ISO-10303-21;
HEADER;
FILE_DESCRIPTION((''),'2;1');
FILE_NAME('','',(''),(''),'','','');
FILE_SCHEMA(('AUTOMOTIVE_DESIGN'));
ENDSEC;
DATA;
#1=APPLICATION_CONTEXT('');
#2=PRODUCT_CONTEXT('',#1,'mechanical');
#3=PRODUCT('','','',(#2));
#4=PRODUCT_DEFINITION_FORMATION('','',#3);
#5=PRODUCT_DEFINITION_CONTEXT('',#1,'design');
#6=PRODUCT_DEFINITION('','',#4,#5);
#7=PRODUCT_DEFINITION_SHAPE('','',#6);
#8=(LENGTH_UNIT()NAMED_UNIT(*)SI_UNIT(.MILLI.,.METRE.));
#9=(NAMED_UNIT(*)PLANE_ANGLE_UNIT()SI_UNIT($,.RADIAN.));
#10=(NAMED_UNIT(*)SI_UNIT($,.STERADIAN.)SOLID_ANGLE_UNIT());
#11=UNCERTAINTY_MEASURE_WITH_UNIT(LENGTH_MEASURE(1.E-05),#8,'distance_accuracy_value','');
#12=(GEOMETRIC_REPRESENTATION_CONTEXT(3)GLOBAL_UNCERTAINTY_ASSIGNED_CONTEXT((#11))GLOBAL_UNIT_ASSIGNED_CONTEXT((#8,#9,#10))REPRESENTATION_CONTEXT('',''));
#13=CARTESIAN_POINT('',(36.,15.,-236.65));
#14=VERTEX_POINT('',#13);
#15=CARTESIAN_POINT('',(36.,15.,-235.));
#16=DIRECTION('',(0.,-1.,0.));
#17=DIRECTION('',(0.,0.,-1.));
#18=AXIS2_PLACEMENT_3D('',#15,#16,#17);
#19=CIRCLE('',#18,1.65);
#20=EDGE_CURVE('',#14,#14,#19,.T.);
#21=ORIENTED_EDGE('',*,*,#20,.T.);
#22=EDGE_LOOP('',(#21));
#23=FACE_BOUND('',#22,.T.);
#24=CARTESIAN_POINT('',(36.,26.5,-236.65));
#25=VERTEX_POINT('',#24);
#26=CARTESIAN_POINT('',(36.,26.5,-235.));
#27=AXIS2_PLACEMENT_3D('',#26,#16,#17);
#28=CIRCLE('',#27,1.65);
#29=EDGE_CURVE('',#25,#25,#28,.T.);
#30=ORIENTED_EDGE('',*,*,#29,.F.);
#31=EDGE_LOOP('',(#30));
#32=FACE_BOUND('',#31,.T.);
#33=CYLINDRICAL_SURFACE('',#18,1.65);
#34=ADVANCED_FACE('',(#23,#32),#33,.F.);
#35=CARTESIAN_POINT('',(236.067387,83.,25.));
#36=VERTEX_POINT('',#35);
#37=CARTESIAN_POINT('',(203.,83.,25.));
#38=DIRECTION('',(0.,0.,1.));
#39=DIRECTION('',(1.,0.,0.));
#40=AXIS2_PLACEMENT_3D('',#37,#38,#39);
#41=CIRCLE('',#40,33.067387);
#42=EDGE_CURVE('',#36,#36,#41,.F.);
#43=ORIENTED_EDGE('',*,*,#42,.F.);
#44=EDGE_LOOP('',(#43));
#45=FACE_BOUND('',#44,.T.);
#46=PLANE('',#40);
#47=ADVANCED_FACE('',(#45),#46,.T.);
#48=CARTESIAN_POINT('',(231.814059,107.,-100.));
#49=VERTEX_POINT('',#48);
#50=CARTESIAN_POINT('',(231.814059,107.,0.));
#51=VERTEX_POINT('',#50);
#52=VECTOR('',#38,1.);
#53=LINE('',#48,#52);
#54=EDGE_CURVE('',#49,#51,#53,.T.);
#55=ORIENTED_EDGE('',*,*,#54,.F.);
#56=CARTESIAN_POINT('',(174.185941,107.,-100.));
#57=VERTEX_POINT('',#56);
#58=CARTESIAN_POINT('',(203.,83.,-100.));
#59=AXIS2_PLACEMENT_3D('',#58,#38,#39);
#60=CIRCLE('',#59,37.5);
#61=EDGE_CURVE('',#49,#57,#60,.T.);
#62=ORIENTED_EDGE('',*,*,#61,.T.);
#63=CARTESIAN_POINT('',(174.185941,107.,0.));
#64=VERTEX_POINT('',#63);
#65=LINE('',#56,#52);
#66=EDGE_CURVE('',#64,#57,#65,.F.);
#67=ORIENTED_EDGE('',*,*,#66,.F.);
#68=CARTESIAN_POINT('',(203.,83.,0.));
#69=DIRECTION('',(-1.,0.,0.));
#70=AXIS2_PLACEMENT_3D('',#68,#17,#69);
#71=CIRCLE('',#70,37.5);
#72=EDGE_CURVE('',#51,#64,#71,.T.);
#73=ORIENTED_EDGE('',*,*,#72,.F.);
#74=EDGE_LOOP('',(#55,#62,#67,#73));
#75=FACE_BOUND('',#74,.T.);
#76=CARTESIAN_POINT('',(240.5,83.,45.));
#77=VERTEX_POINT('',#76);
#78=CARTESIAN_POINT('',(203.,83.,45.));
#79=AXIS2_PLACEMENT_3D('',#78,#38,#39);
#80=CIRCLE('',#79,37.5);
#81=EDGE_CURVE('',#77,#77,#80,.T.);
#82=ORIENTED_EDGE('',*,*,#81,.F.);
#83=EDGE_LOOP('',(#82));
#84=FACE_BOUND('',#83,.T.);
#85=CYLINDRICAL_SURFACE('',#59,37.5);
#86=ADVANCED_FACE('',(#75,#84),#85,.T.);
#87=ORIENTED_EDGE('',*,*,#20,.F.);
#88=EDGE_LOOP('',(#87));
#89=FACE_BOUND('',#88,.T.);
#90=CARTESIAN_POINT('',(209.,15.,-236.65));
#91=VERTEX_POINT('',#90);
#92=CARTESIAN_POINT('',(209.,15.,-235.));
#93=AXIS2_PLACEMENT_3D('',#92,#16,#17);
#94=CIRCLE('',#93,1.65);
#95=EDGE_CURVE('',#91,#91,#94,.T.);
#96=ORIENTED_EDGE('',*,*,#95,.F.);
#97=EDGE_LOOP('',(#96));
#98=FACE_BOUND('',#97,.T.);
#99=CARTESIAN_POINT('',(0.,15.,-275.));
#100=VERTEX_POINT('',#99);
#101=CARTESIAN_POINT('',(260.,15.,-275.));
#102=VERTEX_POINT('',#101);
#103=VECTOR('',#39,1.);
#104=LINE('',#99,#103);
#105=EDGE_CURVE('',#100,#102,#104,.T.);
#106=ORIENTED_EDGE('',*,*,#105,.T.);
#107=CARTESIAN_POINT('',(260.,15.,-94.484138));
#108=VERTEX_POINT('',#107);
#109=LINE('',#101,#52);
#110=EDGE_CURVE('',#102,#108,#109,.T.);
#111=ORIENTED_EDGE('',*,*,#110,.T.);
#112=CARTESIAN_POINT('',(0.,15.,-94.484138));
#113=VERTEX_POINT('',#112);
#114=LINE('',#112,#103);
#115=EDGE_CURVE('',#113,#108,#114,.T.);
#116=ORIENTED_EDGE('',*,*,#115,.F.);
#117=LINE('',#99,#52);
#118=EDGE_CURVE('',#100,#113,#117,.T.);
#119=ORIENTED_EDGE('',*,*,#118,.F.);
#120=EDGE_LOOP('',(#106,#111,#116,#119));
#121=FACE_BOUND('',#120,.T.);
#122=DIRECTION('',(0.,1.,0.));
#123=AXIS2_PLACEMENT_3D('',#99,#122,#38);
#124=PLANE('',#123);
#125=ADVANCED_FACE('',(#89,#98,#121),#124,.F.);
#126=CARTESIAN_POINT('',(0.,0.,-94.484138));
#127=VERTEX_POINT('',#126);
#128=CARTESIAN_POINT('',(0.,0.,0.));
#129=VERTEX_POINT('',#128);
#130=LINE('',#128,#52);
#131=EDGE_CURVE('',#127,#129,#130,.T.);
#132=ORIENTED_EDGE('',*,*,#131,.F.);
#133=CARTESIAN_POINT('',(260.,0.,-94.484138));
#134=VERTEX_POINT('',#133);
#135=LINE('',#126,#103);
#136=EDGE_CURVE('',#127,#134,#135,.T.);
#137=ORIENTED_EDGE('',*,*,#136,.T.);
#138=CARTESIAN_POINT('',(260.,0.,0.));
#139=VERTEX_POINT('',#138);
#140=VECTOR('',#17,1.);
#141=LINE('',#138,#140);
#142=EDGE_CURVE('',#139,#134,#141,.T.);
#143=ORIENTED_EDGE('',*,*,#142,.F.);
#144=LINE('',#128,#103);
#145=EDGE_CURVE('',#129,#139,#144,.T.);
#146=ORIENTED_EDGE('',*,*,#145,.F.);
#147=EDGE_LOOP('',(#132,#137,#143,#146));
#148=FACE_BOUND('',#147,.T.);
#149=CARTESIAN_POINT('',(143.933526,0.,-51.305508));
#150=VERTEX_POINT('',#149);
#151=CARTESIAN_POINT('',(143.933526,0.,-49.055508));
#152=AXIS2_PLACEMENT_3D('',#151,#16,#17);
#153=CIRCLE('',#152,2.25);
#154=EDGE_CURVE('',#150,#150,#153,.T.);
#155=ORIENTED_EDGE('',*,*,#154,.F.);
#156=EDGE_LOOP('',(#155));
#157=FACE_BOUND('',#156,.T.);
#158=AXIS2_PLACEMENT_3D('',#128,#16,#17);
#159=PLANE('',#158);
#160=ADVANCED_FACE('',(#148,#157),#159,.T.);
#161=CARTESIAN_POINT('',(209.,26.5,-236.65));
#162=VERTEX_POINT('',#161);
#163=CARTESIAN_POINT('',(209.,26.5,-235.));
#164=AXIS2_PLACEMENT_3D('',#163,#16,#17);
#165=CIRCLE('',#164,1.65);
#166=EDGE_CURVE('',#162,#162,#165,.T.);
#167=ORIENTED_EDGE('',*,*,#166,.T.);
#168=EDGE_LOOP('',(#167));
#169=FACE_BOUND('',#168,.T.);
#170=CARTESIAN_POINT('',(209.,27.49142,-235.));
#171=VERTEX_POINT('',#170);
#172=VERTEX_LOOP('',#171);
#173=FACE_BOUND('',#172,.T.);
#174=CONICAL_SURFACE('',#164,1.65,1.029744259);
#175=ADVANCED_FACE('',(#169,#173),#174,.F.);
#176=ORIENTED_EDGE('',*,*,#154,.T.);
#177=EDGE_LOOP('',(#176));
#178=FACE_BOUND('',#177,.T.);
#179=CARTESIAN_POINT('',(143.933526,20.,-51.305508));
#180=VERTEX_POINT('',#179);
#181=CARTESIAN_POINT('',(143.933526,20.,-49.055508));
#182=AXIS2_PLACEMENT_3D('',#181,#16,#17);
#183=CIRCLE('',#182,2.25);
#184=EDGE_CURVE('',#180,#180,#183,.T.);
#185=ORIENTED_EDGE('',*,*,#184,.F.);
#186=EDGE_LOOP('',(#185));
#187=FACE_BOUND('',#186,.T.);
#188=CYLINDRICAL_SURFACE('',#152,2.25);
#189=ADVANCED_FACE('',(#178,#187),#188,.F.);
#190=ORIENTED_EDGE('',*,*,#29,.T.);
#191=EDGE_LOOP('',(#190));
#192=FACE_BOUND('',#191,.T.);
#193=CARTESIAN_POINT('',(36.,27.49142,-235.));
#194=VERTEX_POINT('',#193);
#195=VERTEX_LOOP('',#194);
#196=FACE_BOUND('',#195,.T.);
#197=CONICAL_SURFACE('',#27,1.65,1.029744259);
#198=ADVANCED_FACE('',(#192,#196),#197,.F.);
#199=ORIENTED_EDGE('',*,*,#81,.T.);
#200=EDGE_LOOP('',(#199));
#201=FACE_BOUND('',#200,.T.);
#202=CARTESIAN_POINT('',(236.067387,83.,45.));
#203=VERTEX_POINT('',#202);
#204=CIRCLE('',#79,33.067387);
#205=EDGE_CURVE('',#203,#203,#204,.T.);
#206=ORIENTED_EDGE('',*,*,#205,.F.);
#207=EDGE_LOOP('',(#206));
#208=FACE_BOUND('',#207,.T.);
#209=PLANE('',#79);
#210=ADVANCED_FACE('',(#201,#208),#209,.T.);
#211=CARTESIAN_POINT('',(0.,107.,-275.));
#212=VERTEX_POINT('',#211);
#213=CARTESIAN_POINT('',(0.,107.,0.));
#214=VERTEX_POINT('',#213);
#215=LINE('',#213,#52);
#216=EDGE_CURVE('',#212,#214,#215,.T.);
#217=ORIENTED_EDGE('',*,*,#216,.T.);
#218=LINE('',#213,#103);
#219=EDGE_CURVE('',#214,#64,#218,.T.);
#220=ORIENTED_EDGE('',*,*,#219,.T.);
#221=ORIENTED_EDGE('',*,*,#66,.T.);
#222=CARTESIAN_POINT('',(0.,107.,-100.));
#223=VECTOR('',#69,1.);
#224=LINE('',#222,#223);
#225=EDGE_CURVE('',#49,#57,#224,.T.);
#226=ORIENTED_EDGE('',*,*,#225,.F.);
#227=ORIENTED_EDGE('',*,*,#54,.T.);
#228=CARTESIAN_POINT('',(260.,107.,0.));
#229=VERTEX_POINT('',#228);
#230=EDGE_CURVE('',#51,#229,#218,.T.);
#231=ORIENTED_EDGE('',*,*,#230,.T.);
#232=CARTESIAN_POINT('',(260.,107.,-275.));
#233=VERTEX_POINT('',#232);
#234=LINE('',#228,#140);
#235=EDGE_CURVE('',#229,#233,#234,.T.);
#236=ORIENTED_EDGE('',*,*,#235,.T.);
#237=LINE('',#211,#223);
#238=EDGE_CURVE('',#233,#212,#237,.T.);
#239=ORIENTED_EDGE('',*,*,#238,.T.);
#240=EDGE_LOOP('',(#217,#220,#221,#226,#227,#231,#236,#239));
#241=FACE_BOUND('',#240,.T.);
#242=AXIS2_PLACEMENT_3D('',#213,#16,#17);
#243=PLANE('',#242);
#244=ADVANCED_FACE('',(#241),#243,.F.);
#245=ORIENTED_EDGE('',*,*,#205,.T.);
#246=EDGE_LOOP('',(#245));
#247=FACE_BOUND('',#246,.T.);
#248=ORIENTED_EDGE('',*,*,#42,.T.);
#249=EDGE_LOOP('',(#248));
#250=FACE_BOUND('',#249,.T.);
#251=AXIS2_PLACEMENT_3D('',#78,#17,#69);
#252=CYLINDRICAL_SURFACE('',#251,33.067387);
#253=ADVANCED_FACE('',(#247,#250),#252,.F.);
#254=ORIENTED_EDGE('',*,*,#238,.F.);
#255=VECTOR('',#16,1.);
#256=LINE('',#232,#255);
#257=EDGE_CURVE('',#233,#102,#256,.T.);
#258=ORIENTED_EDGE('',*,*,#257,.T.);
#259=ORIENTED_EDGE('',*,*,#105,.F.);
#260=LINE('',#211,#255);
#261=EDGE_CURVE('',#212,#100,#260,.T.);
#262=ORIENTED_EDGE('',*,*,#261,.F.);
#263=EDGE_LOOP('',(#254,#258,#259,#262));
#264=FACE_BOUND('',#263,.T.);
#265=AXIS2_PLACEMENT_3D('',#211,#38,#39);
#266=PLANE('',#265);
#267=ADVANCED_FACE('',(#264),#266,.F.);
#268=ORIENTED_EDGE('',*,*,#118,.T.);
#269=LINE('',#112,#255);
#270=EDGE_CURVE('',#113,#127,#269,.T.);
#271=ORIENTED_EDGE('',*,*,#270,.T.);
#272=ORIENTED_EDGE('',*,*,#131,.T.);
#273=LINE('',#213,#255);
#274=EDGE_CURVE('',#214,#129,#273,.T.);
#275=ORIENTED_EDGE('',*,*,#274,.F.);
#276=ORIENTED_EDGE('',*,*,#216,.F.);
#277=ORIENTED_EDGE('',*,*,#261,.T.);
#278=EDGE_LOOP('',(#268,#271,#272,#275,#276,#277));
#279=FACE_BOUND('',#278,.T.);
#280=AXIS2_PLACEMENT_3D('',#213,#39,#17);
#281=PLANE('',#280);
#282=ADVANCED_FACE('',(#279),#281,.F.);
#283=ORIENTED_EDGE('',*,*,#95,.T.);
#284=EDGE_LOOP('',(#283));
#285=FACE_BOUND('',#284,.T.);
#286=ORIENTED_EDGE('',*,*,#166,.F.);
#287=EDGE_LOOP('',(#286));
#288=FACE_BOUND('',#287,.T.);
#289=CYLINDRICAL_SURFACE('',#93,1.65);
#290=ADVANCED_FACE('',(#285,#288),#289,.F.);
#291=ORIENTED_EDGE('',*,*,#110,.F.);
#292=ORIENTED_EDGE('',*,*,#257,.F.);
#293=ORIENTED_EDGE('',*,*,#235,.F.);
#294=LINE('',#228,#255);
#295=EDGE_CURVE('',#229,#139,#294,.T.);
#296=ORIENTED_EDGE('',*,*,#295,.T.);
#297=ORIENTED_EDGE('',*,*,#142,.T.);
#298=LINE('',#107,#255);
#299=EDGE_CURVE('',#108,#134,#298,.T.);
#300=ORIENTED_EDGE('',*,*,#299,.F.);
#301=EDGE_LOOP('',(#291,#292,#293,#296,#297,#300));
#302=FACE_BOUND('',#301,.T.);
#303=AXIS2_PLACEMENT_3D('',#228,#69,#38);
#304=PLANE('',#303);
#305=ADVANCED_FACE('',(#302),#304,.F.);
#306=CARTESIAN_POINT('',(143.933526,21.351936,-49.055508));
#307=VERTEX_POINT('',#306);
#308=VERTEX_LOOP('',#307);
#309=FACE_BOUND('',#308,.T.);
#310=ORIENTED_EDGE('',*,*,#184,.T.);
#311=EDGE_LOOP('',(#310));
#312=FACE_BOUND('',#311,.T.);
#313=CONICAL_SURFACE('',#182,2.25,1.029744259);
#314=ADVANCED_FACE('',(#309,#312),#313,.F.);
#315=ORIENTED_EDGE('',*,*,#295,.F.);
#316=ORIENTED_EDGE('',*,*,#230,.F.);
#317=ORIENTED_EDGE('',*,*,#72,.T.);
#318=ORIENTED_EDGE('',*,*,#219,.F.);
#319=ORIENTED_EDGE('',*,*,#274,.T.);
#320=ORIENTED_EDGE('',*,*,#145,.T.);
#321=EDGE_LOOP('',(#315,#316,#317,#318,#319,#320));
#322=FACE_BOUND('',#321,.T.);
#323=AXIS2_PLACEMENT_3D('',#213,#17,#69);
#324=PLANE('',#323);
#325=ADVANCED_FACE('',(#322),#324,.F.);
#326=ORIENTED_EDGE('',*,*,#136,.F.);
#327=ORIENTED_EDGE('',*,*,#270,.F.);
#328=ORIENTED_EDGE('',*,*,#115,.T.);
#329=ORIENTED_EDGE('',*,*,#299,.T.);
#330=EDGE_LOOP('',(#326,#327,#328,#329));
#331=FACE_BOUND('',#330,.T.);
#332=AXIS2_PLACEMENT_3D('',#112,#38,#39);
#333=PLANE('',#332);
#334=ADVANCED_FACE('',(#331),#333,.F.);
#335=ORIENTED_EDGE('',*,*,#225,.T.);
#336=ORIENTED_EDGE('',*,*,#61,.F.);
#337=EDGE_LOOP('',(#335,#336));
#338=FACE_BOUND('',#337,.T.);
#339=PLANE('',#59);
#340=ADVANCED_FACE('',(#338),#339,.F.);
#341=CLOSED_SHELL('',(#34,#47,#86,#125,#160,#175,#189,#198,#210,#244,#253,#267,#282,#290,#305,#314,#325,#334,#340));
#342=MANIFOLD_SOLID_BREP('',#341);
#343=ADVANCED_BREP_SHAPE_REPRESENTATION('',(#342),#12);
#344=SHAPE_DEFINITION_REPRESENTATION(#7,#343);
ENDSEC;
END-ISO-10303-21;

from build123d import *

# Parameters (mm, degrees)
SKETCH_1_W             = 260
SKETCH_1_H             = 275
EXTRUDE_1_DEPTH        = 107
EXTRUDE_2_DEPTH        = 25
EXTRUDE_2_DEPTH_BACK   = 100
SKETCH_2_R             = 37.5
SKETCH_3_W             = 180.515861549
SKETCH_3_H             = 15
CUT_EXTRUDE_1_DEPTH    = 398.171562426
M4X0_7_1_D             = 3.3
M4X0_7_1_DEPTH         = 11.5
M4X0_7_1_TIP           = 0.991420021
SKETCH_17_R            = 37.5
SKETCH_17_R_2          = 33.067386868
EXTRUDE_4_DEPTH        = 20
HOLE_WIZARD_M4_1_D     = 4.5
HOLE_WIZARD_M4_1_DEPTH = 20
HOLE_WIZARD_M4_1_TIP   = 1.351936393


with BuildPart() as part:
    # Sketch 1 → 보스-돌출1 (new body)
    with BuildSketch(Plane(origin=(0, 0, 0), x_dir=(1, 0, 0), z_dir=(0, 1, 0))):
        with Locations((130, 137.5)):
            Rectangle(SKETCH_1_W, SKETCH_1_H)
    extrude(amount=EXTRUDE_1_DEPTH)

    # Sketch 2 → 보스-돌출2 (add, two sides: drawn at the far end of the back side and taken through both)
    with BuildSketch(Plane.XY.offset(-EXTRUDE_2_DEPTH_BACK)):
        with Locations((203, 83)):
            Circle(SKETCH_2_R)
    extrude(amount=EXTRUDE_2_DEPTH + EXTRUDE_2_DEPTH_BACK)

    # 스케치3 → 컷-돌출1 (cut, through all)
    with BuildSketch(Plane(origin=(260, 0, 0), x_dir=(0, 0, -1), z_dir=(1, 0, 0))):
        with Locations((184.742069226, 7.5)):
            Rectangle(SKETCH_3_W, SKETCH_3_H)
    extrude(amount=-CUT_EXTRUDE_1_DEPTH, mode=Mode.SUBTRACT)

    # M4x0.7 나사 구멍1
    with Locations(Plane(origin=(0, 15, 0), x_dir=(-1, 0, 0), z_dir=(0, -1, 0))):
        with Locations((-36, 235), (-209, 235)):
            Hole(M4X0_7_1_D / 2, depth=M4X0_7_1_DEPTH)
            with Locations((0, 0, -(M4X0_7_1_DEPTH + M4X0_7_1_TIP / 2))):  # 118° drill point
                Cone(0, M4X0_7_1_D / 2, M4X0_7_1_TIP, mode=Mode.SUBTRACT)

    # 스케치17 → 보스-돌출4 (add)
    with BuildSketch(Plane.XY.offset(25)):
        with Locations((203, 83)):
            Circle(SKETCH_17_R)
        with Locations((203, 83)):
            Circle(SKETCH_17_R_2, mode=Mode.SUBTRACT)
    extrude(amount=EXTRUDE_4_DEPTH)

    # M4 여유 구멍1
    with Locations(Plane(origin=(0, 0, 0), x_dir=(-1, 0, 0), z_dir=(0, -1, 0))):
        with Locations((-143.933526012, 49.055508383)):
            Hole(HOLE_WIZARD_M4_1_D / 2, depth=HOLE_WIZARD_M4_1_DEPTH)
            with Locations((0, 0, -(HOLE_WIZARD_M4_1_DEPTH + HOLE_WIZARD_M4_1_TIP / 2))):  # 118° drill point
                Cone(0, HOLE_WIZARD_M4_1_D / 2, HOLE_WIZARD_M4_1_TIP, mode=Mode.SUBTRACT)


solid = part.part
